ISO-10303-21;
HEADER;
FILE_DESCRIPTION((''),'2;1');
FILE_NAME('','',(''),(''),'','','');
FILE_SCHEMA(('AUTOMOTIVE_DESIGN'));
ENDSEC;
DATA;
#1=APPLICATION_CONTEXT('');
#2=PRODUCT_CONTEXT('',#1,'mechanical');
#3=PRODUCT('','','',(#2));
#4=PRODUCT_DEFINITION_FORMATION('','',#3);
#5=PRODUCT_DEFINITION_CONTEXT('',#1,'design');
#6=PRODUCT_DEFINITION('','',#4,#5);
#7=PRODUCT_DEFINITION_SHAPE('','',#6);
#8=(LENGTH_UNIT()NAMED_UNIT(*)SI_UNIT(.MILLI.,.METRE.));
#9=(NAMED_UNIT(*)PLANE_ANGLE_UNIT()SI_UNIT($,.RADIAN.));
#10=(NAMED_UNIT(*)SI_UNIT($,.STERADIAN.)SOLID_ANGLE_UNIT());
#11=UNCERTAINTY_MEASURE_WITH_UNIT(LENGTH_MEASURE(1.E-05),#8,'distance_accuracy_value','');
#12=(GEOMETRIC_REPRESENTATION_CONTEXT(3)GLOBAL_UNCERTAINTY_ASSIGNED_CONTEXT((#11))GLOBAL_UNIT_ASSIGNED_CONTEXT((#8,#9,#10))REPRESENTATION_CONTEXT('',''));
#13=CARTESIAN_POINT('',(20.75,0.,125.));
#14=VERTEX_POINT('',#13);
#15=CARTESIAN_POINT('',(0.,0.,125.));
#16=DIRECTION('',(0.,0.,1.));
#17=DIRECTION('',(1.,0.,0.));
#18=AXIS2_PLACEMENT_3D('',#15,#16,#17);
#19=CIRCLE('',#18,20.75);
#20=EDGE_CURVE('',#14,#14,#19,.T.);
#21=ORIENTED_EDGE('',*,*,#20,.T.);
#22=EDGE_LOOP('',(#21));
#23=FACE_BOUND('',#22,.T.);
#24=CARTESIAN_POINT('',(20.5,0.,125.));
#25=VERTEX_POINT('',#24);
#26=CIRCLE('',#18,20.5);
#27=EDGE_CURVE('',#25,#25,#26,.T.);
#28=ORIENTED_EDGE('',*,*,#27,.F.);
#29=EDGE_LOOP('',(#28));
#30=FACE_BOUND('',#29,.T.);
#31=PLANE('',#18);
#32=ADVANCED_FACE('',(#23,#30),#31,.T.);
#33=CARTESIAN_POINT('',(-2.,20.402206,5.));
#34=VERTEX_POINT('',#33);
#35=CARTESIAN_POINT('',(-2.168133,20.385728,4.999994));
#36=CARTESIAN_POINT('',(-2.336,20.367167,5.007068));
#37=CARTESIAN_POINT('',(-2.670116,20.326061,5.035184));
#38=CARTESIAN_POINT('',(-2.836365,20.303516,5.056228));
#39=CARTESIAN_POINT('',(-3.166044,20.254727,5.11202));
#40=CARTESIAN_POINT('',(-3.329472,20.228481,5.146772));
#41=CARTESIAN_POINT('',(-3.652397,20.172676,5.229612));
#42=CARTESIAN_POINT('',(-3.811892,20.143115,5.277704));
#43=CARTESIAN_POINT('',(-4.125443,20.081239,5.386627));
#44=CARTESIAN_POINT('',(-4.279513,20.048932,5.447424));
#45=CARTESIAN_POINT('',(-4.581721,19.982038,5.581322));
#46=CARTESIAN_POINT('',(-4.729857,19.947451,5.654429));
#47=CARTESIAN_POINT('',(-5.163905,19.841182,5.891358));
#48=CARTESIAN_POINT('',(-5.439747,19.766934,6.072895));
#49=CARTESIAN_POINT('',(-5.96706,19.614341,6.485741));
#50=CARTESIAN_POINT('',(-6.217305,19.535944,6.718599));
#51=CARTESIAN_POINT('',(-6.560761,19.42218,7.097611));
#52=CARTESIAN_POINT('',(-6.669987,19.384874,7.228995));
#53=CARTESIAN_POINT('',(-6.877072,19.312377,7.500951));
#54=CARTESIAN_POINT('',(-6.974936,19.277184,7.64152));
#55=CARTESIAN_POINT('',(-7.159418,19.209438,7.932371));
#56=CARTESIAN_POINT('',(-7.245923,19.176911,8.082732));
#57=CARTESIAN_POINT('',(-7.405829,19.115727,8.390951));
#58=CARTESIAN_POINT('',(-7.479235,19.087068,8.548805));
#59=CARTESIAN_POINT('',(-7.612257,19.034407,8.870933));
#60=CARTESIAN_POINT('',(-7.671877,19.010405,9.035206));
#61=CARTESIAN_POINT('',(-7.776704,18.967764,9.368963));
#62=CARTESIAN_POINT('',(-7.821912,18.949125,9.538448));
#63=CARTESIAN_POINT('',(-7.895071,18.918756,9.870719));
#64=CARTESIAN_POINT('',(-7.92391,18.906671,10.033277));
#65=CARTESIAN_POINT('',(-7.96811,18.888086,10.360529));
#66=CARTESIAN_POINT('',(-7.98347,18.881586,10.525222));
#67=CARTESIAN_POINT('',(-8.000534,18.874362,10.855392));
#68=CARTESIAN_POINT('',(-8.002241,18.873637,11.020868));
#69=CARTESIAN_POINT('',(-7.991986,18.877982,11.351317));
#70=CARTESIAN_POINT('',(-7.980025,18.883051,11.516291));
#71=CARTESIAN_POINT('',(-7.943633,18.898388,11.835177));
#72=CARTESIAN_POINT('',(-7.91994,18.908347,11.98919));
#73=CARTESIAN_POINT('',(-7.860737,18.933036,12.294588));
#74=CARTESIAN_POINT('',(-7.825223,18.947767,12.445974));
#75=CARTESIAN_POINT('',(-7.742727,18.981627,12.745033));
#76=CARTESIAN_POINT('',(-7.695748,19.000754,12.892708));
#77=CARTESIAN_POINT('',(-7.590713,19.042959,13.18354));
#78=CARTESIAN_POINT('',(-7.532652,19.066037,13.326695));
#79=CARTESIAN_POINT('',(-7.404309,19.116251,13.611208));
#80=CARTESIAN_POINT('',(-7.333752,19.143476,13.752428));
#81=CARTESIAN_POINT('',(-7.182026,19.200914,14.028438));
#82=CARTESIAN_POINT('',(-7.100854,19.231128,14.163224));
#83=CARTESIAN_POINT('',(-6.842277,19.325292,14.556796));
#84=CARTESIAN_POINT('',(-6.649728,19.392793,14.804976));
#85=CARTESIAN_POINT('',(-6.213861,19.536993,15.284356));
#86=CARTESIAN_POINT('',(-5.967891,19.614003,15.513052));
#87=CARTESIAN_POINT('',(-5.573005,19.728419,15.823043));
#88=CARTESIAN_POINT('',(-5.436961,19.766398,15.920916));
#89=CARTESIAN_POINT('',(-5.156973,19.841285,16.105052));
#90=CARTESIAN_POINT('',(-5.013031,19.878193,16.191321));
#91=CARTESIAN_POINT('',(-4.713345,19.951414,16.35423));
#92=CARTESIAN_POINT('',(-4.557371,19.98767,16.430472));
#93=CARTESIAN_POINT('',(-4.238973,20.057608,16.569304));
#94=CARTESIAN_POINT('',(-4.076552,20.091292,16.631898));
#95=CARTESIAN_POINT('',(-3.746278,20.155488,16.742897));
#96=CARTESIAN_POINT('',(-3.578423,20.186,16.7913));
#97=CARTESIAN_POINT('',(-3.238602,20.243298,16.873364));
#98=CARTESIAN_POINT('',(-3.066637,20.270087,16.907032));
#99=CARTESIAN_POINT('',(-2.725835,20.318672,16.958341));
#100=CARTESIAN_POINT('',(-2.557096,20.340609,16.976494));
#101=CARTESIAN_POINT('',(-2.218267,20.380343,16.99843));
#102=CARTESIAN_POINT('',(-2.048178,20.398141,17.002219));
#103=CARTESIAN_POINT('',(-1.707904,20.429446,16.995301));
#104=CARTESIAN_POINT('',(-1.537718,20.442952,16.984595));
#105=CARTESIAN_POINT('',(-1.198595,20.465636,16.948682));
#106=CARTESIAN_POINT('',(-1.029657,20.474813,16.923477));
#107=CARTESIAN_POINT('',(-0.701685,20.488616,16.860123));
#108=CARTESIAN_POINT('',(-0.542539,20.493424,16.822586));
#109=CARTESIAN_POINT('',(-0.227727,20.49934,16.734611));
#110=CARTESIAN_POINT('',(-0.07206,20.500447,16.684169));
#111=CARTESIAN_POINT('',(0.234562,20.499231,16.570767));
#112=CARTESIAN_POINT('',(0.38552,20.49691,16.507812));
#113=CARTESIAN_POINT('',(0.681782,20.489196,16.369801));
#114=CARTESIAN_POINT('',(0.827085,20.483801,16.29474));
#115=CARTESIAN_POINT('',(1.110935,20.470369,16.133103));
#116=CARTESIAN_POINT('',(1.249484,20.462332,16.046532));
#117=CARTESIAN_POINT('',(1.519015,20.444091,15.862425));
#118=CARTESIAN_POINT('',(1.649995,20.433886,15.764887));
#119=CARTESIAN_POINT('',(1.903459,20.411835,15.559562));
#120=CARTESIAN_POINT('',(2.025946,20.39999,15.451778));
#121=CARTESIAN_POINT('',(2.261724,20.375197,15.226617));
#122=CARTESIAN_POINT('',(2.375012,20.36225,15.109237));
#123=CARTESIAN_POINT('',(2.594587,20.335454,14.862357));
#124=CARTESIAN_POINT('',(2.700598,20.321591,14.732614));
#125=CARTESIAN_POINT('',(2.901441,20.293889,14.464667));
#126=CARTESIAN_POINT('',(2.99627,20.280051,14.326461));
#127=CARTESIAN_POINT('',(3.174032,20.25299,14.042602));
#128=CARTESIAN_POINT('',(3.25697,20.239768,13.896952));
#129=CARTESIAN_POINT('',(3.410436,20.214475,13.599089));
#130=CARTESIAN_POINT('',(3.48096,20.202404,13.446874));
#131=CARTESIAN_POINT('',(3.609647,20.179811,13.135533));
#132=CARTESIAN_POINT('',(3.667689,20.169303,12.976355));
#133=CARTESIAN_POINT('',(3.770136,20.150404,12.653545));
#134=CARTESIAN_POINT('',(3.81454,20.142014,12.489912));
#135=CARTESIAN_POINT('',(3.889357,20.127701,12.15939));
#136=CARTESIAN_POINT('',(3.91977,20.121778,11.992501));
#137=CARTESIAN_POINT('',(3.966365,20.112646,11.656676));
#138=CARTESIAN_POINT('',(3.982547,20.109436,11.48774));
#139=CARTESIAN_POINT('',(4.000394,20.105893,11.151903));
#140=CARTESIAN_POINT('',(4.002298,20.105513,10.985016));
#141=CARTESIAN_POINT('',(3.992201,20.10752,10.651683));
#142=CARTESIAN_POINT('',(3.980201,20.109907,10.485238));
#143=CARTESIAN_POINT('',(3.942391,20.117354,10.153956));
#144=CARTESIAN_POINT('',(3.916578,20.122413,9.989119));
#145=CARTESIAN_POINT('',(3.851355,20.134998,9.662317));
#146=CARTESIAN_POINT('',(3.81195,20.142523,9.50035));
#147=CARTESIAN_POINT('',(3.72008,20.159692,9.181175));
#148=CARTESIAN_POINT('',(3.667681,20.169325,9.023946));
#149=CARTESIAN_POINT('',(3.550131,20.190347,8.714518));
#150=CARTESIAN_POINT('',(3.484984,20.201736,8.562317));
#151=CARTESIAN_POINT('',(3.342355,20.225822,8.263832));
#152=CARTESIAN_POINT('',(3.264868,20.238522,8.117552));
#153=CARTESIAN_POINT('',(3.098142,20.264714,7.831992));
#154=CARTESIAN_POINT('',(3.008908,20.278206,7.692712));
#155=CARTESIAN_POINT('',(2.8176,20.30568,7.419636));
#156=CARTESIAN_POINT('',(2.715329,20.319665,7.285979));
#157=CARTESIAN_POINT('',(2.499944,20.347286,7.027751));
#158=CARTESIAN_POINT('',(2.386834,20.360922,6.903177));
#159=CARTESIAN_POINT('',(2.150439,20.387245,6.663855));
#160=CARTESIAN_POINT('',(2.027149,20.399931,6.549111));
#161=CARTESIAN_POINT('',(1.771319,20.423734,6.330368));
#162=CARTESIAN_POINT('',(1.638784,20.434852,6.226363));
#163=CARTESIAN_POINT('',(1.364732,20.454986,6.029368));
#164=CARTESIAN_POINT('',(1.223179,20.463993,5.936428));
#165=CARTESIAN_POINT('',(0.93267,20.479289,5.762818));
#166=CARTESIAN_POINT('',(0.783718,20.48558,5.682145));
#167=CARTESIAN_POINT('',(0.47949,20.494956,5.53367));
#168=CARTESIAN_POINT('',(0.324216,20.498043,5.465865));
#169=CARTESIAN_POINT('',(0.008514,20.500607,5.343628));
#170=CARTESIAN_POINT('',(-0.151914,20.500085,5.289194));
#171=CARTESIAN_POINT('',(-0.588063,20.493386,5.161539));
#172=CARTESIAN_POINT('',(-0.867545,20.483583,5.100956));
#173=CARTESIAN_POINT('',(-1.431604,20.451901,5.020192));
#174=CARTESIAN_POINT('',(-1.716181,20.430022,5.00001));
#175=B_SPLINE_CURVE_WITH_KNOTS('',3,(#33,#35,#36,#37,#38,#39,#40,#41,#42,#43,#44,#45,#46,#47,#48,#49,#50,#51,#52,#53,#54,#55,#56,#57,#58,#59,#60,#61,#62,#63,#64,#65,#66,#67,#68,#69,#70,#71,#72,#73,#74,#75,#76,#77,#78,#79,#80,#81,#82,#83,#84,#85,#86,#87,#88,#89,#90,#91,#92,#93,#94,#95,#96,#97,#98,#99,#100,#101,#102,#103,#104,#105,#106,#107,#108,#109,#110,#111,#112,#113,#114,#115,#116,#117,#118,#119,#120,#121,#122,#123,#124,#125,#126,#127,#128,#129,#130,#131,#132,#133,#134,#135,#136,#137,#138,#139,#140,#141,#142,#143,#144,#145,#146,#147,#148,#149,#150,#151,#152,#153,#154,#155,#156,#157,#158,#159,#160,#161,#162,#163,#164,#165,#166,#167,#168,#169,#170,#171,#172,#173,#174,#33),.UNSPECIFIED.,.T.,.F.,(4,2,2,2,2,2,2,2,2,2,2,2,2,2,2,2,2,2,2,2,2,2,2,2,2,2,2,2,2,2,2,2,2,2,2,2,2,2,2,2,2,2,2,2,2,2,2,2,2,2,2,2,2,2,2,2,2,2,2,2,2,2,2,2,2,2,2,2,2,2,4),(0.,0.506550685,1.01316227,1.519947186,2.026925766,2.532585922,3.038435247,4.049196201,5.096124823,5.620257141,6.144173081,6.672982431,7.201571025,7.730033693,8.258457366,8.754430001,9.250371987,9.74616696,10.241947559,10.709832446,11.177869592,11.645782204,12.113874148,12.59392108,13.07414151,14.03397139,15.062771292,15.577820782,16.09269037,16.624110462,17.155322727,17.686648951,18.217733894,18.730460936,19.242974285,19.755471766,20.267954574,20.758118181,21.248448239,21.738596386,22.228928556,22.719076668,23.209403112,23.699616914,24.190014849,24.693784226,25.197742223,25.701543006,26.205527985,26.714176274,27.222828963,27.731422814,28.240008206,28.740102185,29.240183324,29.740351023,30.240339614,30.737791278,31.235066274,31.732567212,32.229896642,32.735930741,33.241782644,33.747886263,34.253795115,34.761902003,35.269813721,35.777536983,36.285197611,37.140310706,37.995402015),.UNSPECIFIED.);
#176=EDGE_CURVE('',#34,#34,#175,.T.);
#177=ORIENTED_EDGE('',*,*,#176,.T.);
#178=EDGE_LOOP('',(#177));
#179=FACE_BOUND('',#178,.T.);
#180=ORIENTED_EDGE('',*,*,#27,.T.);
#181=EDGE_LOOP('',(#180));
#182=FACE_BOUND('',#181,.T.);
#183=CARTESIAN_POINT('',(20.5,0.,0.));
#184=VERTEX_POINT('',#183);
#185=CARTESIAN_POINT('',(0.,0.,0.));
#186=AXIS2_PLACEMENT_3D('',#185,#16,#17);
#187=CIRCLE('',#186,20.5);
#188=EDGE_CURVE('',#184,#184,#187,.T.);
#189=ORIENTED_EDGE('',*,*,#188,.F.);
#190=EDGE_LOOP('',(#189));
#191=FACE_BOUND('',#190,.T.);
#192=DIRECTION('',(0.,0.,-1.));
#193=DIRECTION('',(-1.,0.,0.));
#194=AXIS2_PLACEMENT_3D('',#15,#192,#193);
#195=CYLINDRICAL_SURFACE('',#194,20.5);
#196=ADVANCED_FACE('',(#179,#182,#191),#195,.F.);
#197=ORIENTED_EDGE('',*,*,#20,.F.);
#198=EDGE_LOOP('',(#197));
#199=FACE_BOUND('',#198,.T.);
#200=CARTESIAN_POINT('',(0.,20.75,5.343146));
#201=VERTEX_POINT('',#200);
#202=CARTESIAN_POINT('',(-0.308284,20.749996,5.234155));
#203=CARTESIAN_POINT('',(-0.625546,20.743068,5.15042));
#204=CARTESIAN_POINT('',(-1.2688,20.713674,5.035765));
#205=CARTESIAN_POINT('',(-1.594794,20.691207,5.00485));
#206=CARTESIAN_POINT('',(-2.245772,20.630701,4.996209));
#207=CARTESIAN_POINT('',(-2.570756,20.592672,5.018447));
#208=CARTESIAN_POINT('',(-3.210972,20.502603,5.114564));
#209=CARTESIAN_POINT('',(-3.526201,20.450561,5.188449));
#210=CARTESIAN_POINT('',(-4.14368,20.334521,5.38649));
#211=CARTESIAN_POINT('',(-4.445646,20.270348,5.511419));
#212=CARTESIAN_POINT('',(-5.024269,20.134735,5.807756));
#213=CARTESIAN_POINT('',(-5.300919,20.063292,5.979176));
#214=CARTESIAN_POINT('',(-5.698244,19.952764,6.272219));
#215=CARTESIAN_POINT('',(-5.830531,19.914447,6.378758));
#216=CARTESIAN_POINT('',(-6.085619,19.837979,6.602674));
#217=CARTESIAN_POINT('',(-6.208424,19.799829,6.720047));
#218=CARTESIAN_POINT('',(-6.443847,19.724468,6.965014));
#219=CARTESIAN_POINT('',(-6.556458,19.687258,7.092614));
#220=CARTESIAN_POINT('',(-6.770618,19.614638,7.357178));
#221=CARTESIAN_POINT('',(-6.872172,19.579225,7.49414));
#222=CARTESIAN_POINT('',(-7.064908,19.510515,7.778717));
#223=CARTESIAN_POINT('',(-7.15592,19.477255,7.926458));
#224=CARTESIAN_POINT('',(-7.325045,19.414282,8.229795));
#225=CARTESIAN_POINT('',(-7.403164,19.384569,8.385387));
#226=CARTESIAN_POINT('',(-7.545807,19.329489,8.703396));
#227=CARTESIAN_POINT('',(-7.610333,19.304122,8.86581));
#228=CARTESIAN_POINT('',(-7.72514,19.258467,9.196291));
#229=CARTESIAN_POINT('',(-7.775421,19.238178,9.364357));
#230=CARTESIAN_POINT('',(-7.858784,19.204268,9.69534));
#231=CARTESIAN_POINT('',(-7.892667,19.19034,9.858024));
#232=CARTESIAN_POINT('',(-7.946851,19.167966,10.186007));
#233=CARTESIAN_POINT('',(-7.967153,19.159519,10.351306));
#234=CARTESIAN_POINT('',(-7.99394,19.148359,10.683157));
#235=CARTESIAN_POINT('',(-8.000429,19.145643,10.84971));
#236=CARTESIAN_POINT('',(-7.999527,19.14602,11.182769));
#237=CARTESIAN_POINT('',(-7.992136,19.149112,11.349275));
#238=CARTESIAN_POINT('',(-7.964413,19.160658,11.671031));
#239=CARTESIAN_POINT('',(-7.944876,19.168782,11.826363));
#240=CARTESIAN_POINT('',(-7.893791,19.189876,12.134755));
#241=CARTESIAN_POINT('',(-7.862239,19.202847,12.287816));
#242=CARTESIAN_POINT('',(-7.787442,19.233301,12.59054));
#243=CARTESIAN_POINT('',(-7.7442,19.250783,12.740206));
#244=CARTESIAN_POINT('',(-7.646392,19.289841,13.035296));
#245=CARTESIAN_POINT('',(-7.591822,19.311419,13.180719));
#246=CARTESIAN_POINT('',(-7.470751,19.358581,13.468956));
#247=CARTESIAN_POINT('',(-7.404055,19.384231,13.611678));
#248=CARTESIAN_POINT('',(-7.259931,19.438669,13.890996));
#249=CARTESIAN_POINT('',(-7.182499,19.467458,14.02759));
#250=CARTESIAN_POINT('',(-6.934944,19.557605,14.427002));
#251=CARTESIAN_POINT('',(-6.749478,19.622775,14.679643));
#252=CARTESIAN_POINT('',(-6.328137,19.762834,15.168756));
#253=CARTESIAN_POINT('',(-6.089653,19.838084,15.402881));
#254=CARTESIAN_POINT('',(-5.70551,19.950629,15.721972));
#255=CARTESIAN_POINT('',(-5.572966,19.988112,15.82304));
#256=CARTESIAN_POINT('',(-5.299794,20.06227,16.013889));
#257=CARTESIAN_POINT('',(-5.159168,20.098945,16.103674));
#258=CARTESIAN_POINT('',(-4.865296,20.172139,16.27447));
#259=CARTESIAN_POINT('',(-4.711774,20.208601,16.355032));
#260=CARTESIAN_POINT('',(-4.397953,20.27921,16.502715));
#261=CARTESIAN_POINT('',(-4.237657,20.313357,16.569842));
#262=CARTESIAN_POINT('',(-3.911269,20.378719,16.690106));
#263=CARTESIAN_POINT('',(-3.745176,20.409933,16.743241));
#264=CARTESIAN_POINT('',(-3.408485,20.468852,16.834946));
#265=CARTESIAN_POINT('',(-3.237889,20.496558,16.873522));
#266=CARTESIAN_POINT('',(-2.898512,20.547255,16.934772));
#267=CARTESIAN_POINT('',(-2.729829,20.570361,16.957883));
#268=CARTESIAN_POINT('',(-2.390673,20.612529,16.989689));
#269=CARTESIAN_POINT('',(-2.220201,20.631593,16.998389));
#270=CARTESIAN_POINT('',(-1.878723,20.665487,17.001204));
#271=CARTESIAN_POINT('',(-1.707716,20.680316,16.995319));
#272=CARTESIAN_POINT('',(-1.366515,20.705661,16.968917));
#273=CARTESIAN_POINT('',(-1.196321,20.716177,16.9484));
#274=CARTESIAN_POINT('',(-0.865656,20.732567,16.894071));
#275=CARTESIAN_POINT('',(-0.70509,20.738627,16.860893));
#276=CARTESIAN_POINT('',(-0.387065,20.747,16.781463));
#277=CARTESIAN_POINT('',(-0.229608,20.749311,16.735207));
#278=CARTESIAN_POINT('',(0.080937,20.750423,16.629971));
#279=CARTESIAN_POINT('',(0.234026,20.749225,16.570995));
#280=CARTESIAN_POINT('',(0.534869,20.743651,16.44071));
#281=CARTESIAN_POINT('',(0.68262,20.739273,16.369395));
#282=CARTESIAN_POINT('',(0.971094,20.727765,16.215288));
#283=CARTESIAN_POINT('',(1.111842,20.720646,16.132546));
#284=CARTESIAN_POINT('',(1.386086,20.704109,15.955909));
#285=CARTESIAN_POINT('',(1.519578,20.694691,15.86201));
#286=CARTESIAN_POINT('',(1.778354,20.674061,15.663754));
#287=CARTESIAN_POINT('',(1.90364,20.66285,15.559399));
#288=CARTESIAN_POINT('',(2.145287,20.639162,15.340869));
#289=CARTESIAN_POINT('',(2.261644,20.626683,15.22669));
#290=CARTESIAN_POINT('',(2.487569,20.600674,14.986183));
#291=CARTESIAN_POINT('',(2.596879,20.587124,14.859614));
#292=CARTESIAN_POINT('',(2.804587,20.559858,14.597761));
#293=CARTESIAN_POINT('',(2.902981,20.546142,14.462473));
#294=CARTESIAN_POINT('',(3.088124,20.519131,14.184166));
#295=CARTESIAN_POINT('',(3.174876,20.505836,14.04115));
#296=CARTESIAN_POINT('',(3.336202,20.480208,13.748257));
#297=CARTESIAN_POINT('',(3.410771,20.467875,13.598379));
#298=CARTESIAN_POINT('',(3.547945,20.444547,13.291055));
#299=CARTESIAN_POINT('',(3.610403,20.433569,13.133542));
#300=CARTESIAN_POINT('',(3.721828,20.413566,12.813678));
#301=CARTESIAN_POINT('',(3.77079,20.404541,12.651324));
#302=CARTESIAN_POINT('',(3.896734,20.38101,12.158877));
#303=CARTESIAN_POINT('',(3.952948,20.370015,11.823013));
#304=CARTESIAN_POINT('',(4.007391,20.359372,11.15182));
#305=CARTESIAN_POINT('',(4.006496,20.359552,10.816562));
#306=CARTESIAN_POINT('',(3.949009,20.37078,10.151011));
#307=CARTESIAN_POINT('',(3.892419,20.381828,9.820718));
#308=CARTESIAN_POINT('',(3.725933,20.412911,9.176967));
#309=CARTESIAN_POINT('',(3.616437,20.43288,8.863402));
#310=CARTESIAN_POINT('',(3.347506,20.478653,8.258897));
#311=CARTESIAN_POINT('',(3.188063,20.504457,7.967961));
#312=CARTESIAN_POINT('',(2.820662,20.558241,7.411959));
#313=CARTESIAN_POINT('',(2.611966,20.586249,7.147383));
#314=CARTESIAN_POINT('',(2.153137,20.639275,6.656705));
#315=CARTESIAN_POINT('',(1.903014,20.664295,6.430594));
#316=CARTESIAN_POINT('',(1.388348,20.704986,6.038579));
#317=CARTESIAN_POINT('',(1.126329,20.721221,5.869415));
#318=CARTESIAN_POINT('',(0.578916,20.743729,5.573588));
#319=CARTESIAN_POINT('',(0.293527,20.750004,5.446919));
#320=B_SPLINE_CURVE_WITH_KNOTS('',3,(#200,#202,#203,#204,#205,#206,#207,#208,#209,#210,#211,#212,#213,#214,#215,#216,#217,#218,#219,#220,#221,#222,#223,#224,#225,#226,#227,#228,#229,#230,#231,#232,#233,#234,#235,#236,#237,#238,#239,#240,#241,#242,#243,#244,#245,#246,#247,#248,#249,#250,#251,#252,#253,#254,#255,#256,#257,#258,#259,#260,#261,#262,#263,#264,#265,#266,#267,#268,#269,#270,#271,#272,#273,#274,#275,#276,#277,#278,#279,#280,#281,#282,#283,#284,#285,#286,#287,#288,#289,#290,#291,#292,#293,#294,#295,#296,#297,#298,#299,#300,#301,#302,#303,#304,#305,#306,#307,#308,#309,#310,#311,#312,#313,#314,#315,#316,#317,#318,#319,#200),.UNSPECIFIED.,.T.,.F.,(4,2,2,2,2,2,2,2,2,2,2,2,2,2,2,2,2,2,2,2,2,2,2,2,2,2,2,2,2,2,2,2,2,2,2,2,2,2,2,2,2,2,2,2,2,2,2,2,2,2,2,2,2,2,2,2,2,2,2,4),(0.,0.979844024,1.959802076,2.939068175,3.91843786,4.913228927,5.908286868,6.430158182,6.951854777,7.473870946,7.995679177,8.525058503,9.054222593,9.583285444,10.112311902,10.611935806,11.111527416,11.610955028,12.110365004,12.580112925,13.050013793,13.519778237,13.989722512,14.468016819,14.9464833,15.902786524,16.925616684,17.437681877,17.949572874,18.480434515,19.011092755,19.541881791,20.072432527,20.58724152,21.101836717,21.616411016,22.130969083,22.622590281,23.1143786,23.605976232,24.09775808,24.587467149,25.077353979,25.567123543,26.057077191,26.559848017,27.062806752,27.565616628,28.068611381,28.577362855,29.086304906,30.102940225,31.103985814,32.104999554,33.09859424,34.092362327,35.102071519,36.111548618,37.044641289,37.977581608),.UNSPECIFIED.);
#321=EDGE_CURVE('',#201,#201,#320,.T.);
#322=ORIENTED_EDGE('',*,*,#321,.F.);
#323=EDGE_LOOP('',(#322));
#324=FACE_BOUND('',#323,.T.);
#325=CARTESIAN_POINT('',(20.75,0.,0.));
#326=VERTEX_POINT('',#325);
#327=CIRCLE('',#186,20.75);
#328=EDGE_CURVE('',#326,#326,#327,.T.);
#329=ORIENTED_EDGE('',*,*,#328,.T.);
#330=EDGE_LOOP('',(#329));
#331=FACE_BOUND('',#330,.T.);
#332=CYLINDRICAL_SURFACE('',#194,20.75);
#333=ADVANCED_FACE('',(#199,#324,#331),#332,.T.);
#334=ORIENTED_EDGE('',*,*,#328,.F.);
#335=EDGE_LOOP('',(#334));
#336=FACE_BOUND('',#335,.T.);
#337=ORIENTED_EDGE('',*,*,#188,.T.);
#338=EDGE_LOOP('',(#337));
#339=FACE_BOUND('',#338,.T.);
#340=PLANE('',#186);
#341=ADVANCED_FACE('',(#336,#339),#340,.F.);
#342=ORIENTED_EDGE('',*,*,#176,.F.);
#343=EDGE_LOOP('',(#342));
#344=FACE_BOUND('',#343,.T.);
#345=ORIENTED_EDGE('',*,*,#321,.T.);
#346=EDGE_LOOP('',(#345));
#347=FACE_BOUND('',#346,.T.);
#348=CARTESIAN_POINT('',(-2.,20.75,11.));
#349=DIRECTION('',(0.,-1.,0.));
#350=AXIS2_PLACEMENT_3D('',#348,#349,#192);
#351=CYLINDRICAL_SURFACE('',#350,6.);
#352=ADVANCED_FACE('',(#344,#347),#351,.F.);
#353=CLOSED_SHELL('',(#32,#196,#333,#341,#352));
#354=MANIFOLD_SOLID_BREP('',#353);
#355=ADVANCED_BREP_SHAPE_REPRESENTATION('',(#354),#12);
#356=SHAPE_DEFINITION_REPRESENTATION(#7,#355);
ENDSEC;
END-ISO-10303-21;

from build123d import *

# Parameters (mm, degrees)
SKETCH1_R          = 20.75
SKETCH1_R_2        = 20.5
EXTRUDE1_DEPTH     = 125
SKETCH2_R          = 6
CUT_EXTRUDE1_DEPTH = 21.75


with BuildPart() as part:
    # Sketch1 → Extrude1 (new body)
    with BuildSketch(Plane.XY):
        Circle(SKETCH1_R)
        Circle(SKETCH1_R_2, mode=Mode.SUBTRACT)
    extrude(amount=EXTRUDE1_DEPTH)

    # Sketch2 → Cut-Extrude1 (cut, through all)
    with BuildSketch(Plane(origin=(0, 0, 0), x_dir=(1, 0, 0), z_dir=(0, 1, 0))):
        with Locations(Location((-2, -11, 0), (0, 0, 90))):  # turned: the seam where the file's is
            Circle(SKETCH2_R)
    extrude(amount=CUT_EXTRUDE1_DEPTH, mode=Mode.SUBTRACT)


solid = part.part
